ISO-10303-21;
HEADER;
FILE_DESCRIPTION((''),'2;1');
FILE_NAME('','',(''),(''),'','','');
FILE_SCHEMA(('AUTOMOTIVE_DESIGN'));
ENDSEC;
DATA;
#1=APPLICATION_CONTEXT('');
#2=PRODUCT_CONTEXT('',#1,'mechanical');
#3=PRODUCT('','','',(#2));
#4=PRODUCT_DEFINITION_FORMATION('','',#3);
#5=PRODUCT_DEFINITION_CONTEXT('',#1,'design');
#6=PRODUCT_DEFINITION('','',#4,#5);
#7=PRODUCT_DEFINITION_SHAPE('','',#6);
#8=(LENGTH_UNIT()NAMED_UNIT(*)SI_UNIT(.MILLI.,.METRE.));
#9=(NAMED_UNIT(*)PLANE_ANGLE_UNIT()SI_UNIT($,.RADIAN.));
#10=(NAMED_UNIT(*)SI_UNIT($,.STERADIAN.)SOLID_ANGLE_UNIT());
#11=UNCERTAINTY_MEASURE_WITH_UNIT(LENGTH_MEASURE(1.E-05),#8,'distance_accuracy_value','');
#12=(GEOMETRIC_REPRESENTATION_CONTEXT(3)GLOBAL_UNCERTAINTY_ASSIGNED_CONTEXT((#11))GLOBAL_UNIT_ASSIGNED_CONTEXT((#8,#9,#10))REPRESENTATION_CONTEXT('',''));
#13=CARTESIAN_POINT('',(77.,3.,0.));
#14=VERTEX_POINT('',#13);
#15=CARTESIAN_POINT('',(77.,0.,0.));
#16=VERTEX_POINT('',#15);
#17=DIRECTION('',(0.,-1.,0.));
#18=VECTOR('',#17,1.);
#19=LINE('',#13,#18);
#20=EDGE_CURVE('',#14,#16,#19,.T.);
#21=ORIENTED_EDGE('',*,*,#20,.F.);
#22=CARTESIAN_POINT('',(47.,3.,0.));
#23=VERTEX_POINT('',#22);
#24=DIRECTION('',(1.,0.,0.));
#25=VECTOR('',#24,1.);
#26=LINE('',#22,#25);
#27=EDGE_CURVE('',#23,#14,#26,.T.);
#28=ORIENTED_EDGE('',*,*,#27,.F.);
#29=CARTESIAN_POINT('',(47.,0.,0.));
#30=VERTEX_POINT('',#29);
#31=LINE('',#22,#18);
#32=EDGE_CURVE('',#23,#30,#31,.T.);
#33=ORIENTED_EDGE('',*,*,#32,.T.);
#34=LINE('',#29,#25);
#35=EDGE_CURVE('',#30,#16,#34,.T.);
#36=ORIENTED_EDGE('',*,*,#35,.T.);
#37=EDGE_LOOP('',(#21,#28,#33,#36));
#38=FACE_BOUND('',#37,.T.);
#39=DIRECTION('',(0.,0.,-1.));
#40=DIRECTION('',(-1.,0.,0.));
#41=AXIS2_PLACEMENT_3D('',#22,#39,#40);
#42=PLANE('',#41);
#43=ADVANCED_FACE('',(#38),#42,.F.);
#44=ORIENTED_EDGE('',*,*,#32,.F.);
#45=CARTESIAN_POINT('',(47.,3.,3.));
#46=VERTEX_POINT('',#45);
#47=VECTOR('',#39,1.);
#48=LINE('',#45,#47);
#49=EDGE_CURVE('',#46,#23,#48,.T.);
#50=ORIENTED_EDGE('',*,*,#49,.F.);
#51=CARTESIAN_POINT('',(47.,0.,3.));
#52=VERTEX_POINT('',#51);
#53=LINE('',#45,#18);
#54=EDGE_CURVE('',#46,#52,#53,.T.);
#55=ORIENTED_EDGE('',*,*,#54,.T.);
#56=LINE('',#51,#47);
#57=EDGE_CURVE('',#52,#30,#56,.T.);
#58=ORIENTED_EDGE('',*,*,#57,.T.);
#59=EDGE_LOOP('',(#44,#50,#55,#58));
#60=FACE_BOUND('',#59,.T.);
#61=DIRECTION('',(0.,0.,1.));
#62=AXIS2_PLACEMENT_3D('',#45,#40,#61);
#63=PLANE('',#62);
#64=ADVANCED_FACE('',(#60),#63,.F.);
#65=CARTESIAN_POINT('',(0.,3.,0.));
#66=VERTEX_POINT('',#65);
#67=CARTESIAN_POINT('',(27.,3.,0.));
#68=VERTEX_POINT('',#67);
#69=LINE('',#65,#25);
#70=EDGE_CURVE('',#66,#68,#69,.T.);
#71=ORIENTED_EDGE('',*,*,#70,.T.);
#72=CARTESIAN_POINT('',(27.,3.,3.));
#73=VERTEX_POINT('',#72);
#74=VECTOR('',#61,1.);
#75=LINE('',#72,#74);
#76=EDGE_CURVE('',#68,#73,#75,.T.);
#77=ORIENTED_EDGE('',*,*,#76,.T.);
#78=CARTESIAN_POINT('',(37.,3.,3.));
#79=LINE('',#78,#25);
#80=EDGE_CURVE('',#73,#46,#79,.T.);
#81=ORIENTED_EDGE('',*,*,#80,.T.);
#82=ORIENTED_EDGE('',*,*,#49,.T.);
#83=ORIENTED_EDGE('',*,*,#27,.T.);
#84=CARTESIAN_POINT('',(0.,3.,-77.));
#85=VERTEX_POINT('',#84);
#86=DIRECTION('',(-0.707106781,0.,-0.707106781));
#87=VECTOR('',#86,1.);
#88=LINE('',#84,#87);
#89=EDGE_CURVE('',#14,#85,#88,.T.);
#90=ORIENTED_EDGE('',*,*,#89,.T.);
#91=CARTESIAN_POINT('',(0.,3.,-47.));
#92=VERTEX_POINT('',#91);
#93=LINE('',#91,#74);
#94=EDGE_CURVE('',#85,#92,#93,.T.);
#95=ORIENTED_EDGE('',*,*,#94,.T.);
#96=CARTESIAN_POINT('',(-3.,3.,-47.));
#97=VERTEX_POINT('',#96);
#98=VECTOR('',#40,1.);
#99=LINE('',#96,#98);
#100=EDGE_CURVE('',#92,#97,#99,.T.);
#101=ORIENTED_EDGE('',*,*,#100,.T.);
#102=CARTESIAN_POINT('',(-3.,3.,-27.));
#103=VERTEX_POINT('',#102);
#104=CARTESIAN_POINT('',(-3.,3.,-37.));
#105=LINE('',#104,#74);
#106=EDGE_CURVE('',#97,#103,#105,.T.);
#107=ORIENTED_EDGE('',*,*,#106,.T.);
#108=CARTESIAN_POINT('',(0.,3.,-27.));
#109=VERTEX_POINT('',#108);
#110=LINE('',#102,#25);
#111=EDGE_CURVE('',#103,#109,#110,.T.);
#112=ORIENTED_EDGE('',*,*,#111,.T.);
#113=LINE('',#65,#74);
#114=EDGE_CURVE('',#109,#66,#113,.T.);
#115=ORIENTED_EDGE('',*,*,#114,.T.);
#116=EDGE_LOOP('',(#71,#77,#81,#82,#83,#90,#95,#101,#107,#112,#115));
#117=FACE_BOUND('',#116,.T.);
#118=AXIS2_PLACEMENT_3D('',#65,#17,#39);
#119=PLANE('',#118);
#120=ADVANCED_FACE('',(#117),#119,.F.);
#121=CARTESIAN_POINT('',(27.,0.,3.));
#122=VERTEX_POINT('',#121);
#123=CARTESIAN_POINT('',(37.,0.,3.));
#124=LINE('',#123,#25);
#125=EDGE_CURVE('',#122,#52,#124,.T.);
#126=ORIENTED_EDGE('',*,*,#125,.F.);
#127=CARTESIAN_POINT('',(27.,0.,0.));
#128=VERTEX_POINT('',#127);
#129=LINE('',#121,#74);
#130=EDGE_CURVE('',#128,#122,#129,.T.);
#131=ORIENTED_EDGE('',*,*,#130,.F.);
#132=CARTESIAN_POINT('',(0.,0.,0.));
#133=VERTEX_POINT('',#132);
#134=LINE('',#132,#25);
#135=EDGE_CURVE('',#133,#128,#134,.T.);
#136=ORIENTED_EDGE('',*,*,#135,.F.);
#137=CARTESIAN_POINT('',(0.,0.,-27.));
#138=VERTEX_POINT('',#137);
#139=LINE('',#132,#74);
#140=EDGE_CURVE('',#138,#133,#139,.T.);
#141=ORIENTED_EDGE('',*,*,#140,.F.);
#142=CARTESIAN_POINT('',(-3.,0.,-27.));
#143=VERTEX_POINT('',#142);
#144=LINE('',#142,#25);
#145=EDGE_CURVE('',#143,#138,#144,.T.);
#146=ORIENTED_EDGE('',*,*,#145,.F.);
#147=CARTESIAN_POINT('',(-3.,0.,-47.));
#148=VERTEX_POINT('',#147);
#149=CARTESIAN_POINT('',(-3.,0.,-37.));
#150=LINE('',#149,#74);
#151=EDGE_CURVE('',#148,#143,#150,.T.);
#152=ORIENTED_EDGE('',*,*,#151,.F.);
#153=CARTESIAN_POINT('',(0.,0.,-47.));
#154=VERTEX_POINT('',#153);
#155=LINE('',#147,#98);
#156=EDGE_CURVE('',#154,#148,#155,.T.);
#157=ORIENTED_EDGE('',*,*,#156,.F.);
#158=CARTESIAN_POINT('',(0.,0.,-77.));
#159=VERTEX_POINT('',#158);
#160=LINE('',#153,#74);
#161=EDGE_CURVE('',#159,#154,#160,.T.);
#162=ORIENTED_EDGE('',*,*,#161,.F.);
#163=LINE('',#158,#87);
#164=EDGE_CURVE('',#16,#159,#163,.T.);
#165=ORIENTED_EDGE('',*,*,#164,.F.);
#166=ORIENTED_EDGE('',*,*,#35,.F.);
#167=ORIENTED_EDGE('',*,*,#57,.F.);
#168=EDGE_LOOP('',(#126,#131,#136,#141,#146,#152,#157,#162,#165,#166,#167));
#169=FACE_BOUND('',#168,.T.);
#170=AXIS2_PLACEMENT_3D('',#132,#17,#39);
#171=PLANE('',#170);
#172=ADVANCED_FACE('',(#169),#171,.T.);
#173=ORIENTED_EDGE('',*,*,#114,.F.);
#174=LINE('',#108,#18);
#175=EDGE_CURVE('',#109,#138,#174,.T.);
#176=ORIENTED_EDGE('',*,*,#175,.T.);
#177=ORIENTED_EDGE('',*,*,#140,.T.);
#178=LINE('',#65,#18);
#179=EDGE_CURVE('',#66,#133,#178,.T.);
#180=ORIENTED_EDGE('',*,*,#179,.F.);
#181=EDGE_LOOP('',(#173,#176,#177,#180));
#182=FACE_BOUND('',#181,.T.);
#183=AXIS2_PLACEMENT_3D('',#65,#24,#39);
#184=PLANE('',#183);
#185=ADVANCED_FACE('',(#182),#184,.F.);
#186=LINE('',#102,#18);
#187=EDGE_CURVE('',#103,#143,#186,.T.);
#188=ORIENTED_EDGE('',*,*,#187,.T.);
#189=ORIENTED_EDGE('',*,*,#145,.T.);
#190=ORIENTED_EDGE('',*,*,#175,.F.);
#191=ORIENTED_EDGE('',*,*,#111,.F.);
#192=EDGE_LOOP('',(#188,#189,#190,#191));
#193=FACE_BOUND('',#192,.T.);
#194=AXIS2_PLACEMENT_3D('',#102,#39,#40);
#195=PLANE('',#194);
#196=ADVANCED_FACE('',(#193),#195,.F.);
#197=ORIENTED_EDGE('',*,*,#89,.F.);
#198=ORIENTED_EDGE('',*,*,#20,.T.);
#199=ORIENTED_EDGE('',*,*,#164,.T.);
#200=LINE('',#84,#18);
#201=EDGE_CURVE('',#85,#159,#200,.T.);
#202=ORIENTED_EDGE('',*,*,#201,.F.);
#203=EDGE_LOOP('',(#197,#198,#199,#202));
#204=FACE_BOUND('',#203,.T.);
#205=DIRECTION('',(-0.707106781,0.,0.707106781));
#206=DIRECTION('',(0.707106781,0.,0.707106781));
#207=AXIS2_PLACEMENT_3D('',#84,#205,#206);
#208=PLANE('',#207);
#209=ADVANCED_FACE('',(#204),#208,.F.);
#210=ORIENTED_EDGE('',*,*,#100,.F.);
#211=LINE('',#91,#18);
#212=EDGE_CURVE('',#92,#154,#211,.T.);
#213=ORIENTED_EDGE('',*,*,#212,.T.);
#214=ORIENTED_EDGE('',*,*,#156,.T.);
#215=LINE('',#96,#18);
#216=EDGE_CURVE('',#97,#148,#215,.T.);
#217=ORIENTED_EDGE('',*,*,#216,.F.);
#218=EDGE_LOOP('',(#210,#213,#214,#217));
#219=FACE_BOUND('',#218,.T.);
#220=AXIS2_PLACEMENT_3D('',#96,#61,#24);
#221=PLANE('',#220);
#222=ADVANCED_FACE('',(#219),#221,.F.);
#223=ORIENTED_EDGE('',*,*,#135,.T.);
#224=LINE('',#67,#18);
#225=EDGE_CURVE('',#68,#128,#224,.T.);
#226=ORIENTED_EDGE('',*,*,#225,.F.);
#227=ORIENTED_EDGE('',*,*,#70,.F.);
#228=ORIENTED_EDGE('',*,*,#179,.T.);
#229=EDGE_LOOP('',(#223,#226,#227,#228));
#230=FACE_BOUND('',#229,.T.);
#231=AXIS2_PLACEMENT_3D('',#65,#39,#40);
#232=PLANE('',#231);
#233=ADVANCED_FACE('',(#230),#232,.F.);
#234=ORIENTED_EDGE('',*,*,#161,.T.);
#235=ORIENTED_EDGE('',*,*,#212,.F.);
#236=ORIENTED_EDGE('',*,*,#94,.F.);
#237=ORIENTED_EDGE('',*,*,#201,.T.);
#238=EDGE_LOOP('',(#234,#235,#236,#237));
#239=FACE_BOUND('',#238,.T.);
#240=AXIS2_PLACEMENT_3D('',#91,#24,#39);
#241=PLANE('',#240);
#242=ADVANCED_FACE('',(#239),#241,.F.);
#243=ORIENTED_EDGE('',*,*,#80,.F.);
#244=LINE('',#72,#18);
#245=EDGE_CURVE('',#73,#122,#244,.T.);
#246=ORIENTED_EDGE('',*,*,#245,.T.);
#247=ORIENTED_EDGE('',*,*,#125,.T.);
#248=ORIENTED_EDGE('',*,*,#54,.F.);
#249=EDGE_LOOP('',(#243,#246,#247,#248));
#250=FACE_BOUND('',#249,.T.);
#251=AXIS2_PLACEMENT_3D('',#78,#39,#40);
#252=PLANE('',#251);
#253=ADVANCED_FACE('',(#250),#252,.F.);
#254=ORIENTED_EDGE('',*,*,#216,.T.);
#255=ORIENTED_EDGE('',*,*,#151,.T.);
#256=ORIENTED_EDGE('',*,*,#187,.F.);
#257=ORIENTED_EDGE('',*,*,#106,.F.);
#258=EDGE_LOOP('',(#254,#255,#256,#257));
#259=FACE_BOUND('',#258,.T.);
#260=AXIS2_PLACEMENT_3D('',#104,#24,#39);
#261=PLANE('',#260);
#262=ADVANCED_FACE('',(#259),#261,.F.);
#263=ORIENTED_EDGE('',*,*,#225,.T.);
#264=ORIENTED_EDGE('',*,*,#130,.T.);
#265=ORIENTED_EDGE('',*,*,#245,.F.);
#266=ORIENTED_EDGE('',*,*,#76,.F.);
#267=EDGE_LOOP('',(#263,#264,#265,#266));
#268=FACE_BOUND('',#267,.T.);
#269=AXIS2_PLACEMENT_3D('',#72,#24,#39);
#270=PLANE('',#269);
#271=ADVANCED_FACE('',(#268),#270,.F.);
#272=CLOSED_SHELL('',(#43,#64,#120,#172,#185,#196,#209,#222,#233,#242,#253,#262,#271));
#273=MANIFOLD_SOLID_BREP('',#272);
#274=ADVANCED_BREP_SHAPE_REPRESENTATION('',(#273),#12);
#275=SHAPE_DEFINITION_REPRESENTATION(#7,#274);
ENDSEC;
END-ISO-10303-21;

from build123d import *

# Parameters (mm, degrees)
SALIENTE_EXTRUIR1_DEPTH = 3


with BuildPart() as part:
    # Croquis1 → Saliente-Extruir1 (new body)
    with BuildSketch(Plane(origin=(0, 0, 0), x_dir=(1, 0, 0), z_dir=(0, 1, 0))):
        Polygon((0, 0), (27, 0), (27, -3), (37, -3), (47, -3), (47, 0), (77, 0), (0, 77), (0, 47), (-3, 47), (-3, 37), (-3, 27), (0, 27), align=None)
    extrude(amount=SALIENTE_EXTRUIR1_DEPTH)


solid = part.part
